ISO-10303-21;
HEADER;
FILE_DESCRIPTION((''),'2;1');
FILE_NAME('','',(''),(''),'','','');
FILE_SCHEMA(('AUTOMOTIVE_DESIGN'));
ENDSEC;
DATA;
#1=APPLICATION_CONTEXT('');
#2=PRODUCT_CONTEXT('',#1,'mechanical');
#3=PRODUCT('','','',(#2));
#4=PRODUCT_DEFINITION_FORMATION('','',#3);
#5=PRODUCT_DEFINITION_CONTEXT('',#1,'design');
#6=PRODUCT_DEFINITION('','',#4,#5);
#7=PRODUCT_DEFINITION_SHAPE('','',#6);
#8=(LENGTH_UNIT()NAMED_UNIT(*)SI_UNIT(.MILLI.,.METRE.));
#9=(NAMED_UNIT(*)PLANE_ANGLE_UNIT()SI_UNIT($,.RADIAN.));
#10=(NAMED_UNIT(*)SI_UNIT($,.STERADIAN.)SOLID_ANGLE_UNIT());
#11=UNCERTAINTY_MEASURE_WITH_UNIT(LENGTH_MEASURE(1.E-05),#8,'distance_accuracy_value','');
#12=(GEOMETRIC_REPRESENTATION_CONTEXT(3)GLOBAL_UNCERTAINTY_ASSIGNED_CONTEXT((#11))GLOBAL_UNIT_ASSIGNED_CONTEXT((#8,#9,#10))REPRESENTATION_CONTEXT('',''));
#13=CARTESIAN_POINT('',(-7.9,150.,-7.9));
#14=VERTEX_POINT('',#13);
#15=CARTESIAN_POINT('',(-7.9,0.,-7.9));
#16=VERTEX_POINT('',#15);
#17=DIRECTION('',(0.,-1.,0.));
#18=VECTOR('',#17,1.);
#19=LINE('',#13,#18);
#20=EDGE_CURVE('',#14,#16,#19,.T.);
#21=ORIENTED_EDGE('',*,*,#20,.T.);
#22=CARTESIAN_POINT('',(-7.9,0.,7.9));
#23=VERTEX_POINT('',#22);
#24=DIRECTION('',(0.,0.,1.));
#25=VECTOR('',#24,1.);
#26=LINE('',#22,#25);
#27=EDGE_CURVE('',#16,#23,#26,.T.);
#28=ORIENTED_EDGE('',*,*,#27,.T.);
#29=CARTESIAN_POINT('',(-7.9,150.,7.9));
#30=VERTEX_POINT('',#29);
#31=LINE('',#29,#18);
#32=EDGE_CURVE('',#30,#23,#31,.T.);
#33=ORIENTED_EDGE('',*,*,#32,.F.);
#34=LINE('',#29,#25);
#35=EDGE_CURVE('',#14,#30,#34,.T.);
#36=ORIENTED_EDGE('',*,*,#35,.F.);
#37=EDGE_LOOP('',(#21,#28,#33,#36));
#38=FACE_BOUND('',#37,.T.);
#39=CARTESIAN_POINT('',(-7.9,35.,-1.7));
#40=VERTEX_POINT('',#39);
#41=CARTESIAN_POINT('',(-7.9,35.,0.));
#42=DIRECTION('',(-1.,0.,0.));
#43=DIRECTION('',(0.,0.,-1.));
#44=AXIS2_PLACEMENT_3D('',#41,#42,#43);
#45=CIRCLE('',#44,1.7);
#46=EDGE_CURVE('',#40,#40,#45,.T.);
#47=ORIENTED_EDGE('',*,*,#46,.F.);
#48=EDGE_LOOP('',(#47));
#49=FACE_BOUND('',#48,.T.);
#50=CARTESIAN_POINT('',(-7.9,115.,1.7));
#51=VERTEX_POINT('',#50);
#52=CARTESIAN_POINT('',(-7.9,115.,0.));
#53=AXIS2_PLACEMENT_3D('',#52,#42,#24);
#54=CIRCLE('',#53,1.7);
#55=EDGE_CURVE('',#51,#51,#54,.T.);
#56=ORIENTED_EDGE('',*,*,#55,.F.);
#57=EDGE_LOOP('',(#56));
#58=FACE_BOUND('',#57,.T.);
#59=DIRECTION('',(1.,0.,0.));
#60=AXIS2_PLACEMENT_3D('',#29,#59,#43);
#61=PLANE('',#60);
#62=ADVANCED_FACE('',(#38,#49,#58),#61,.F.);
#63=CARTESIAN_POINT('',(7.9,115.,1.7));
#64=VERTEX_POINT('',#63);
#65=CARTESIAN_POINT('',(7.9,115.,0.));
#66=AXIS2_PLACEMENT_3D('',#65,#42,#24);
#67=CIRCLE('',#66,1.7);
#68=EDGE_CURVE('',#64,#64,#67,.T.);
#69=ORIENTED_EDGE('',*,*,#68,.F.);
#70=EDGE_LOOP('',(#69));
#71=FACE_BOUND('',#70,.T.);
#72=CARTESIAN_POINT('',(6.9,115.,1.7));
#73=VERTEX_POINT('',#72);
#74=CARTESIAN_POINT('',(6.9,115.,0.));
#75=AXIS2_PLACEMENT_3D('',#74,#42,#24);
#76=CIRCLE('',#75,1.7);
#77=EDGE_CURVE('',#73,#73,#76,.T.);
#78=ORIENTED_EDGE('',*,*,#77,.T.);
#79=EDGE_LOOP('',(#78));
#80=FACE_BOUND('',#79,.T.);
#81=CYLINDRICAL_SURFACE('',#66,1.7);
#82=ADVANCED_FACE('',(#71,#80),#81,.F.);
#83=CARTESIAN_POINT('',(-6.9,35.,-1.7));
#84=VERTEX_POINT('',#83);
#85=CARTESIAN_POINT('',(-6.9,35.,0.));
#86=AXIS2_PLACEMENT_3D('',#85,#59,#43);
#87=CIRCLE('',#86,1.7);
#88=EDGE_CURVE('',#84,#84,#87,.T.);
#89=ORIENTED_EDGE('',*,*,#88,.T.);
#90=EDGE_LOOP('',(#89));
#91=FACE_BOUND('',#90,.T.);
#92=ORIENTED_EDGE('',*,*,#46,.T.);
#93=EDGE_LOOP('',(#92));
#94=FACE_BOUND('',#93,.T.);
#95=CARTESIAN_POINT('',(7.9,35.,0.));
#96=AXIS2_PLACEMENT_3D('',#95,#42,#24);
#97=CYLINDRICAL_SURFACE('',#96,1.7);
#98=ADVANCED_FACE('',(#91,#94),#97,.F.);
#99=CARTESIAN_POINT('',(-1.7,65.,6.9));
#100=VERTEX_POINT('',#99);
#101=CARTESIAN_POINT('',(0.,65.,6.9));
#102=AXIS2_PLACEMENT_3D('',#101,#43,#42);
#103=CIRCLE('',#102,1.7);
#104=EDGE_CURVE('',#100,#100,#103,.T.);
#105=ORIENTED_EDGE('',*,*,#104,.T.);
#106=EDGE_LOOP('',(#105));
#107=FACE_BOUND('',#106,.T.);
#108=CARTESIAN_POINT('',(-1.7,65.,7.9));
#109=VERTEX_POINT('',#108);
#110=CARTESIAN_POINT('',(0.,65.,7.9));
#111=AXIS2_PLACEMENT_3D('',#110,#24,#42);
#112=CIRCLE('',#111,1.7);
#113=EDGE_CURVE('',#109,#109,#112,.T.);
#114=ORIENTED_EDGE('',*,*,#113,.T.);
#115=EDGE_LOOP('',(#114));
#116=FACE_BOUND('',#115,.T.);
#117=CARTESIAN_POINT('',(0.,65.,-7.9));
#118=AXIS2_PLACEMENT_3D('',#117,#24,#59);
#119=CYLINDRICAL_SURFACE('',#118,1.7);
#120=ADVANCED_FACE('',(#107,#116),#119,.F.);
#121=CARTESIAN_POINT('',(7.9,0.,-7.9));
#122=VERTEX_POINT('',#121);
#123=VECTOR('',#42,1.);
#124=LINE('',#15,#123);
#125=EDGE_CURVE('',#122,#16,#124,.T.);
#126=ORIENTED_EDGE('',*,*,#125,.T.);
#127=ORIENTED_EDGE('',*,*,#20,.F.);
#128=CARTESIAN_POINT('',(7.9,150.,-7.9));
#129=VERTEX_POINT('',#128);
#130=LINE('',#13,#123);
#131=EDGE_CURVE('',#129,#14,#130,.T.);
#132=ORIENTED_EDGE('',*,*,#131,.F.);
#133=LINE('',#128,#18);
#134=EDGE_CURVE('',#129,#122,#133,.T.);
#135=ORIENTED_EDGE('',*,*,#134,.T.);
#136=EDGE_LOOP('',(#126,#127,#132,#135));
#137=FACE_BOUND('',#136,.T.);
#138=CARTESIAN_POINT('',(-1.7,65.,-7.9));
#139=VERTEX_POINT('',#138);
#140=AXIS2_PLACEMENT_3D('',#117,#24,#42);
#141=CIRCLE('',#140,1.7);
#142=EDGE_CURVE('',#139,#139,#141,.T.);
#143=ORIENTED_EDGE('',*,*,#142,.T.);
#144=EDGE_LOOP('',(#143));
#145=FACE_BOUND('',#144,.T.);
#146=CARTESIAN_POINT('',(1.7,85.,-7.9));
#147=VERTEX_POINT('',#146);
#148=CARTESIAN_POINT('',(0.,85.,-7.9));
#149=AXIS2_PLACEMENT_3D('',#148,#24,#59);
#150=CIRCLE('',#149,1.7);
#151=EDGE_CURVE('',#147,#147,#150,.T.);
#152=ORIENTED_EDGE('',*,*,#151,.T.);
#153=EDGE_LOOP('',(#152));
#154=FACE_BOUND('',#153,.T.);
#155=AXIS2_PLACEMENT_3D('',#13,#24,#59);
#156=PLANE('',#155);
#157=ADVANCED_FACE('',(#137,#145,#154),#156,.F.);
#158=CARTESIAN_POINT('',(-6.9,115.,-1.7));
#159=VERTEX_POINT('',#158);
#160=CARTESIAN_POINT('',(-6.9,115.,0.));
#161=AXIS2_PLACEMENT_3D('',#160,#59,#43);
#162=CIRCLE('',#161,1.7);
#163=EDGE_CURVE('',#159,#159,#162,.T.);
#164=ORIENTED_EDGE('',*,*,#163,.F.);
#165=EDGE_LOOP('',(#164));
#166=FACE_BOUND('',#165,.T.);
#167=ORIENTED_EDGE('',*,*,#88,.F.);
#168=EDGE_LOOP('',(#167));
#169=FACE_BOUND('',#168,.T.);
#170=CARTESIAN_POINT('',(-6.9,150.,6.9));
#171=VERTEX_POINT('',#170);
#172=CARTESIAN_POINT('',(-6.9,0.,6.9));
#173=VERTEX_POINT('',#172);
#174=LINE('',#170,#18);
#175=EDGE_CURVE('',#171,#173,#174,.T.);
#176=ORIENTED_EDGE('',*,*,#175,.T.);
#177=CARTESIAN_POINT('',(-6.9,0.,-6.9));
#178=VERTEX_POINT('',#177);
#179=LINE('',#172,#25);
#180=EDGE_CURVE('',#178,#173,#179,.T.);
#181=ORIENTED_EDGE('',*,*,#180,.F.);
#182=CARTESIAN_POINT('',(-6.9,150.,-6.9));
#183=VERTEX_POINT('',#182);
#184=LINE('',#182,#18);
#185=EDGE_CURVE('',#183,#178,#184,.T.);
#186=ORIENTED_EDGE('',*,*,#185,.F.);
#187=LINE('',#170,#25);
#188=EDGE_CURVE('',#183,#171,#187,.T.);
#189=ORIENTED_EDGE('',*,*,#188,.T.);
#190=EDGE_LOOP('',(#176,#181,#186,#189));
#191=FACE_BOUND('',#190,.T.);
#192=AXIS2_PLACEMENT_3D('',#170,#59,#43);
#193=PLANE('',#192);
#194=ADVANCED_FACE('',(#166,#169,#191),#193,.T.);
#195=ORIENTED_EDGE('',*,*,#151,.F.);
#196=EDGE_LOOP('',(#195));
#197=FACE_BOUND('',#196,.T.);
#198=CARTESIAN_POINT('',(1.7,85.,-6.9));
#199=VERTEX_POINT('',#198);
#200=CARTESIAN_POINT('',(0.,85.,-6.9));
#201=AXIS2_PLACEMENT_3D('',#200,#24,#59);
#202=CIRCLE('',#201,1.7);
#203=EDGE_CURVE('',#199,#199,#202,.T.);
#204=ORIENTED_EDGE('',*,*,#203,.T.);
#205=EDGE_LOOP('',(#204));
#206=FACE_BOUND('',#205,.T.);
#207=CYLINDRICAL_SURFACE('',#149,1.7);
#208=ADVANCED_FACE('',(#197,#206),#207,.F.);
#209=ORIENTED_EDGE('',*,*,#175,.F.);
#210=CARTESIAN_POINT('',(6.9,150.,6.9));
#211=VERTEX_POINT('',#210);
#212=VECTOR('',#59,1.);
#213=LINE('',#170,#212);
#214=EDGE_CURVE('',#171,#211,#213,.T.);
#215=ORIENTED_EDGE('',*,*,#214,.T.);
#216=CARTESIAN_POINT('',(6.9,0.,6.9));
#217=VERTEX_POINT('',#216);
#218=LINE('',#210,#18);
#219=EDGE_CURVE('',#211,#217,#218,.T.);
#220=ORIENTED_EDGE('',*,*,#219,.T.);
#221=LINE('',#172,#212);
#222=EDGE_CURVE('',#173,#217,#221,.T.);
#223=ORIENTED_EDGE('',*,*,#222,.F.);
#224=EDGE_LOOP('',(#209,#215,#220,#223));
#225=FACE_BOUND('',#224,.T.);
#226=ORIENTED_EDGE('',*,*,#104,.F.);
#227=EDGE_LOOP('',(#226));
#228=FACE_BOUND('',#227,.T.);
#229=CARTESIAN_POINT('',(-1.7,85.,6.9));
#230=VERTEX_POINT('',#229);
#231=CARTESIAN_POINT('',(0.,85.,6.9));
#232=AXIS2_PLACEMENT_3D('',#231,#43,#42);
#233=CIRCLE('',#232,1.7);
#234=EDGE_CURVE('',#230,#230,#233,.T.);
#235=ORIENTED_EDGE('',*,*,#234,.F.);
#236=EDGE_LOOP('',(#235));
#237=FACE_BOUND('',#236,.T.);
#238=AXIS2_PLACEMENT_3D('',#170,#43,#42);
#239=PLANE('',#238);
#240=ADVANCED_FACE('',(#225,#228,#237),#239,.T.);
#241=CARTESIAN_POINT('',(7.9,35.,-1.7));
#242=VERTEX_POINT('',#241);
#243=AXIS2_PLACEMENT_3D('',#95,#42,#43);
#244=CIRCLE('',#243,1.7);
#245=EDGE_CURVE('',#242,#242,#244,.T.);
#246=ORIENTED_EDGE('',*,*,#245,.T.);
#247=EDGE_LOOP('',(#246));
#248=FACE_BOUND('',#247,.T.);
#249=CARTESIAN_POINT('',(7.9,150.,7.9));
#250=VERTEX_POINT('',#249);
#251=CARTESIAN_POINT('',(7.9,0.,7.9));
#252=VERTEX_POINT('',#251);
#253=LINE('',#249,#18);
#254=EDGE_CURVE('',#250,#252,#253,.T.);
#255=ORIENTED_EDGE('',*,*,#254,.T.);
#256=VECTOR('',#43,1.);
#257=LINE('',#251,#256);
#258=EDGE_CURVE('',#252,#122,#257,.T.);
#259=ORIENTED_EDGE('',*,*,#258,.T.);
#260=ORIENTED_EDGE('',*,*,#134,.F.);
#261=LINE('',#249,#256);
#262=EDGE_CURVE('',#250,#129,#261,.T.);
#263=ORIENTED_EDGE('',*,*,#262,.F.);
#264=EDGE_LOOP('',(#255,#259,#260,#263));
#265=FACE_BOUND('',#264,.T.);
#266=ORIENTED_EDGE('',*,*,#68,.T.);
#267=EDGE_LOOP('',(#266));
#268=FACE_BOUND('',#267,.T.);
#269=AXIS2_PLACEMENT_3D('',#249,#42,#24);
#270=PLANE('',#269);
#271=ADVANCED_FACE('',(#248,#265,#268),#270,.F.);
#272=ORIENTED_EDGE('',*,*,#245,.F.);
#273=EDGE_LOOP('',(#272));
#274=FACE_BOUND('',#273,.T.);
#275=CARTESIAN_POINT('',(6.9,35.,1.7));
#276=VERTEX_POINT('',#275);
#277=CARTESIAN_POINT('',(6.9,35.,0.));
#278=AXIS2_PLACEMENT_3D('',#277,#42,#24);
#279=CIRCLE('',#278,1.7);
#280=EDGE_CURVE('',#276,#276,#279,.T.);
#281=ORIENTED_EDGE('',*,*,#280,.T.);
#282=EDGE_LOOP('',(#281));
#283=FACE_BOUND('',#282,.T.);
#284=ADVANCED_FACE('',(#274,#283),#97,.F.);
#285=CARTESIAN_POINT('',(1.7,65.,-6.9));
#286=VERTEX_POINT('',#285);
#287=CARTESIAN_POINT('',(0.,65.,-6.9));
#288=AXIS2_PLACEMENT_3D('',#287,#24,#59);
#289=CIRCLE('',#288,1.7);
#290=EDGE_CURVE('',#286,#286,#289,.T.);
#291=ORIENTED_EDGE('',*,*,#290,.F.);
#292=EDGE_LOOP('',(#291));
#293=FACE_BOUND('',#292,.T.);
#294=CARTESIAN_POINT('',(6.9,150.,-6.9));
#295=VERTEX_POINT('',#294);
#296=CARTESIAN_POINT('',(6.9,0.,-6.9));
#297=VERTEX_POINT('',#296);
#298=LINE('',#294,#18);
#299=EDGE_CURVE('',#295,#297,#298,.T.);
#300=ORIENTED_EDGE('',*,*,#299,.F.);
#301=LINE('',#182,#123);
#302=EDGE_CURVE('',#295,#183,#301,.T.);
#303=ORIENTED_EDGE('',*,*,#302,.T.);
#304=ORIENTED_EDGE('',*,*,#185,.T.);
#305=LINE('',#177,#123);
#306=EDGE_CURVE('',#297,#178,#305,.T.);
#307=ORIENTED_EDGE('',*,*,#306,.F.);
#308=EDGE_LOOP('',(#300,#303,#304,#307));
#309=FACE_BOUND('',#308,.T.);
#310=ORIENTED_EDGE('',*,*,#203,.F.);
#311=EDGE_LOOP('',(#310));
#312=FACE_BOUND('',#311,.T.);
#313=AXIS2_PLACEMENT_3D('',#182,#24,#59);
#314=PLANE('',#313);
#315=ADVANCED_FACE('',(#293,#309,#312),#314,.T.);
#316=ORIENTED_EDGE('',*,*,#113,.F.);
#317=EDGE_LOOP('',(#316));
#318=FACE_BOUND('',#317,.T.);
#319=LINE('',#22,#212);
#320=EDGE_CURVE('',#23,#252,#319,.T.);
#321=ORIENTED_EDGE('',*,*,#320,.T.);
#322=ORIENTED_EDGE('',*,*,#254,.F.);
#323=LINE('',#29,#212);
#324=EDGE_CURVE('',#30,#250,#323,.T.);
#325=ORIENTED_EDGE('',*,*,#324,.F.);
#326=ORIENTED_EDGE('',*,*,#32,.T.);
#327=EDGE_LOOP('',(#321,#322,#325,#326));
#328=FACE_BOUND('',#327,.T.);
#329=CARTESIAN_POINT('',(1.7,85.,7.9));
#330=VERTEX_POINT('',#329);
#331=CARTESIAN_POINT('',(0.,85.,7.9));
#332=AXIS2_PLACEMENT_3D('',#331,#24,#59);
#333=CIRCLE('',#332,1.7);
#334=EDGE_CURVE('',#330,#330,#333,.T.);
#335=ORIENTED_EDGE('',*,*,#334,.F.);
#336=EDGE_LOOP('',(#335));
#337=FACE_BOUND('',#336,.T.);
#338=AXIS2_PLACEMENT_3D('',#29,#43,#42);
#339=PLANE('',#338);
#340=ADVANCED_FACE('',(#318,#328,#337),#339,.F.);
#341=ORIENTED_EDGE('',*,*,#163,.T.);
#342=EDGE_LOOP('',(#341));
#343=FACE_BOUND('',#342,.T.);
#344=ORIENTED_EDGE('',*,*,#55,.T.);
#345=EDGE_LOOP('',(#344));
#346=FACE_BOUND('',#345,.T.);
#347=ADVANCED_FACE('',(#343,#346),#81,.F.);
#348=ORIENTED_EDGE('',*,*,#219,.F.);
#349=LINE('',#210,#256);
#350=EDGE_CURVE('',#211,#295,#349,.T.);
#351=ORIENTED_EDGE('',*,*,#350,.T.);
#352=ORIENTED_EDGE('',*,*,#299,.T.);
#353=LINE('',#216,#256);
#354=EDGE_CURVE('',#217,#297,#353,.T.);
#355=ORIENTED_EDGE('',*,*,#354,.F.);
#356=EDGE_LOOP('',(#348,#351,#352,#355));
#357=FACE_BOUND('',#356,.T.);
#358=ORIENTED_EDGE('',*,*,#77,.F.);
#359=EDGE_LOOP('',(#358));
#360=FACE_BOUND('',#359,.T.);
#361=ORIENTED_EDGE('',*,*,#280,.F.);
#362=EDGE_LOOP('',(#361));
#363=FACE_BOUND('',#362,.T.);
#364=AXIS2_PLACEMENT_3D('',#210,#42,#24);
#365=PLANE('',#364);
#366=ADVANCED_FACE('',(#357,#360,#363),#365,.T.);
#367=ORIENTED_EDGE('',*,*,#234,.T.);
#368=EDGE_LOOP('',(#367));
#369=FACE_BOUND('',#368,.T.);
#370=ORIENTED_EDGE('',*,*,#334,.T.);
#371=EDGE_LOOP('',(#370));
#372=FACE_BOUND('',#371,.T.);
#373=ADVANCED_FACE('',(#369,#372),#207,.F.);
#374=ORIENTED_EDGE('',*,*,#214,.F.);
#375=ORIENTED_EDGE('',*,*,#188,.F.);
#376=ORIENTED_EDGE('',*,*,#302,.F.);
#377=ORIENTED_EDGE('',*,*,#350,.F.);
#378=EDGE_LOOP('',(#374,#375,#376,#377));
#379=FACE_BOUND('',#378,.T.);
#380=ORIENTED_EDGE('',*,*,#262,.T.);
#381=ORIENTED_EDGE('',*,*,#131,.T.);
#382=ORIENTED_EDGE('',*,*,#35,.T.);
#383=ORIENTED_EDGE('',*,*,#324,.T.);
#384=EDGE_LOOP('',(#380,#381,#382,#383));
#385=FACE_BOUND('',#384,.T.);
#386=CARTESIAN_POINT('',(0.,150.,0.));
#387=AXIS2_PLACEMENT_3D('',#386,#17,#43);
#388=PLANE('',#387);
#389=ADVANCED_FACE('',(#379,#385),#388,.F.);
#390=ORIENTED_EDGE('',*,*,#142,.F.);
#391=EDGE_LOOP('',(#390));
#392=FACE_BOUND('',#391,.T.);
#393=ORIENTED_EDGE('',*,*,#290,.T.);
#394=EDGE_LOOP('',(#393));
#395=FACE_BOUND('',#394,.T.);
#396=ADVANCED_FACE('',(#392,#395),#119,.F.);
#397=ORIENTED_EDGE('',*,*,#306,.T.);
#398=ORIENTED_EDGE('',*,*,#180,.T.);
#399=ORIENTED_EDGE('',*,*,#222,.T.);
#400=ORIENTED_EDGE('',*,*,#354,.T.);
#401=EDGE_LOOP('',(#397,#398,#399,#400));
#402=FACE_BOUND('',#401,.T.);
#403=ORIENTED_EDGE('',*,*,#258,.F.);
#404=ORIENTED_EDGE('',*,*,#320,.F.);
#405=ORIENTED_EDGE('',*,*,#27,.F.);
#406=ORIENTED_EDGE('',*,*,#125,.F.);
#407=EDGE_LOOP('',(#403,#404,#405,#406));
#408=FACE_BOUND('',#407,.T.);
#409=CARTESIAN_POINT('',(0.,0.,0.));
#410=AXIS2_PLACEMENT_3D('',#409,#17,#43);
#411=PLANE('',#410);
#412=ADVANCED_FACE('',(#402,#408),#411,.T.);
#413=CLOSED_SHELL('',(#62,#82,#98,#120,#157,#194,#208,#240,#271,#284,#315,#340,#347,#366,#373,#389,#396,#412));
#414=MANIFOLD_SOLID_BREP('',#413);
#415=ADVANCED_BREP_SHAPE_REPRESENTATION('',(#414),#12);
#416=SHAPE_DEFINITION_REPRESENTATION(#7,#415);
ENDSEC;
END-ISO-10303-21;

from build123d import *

# Parameters (mm, degrees)
SKETCH1_W           = 15.8
SKETCH1_H           = 15.8
SKETCH1_W_2         = 13.8
SKETCH1_H_2         = 13.8
BOSS_EXTRUDE1_DEPTH = 150
SKETCH2_R           = 1.7
CUT_EXTRUDE1_DEPTH  = 152.036584972
SKETCH3_R           = 1.7
CUT_EXTRUDE3_DEPTH  = 152.036584972


with BuildPart() as part:
    # Sketch1 → Boss-Extrude1 (new body)
    with BuildSketch(Plane(origin=(0, 0, 0), x_dir=(1, 0, 0), z_dir=(0, 1, 0))):
        Rectangle(SKETCH1_W, SKETCH1_H)
        Rectangle(SKETCH1_W_2, SKETCH1_H_2, mode=Mode.SUBTRACT)
    extrude(amount=BOSS_EXTRUDE1_DEPTH)

    # Sketch2 → Cut-Extrude1 (cut, through all)
    with BuildSketch(Plane.ZY.offset(7.9)):
        with Locations((0, 115)):
            Circle(SKETCH2_R)
        with Locations(Location((0, 35, 0), (0, 0, 180))):
            Circle(SKETCH2_R)
    extrude(amount=-CUT_EXTRUDE1_DEPTH, mode=Mode.SUBTRACT)

    # Sketch3 → Cut-Extrude3 (cut, through all)
    with BuildSketch(Plane.XY.offset(7.9)):
        with Locations((0, 85)):
            Circle(SKETCH3_R)
        with Locations((0, 65)):
            Circle(SKETCH3_R)
    extrude(amount=-CUT_EXTRUDE3_DEPTH, mode=Mode.SUBTRACT)


solid = part.part
